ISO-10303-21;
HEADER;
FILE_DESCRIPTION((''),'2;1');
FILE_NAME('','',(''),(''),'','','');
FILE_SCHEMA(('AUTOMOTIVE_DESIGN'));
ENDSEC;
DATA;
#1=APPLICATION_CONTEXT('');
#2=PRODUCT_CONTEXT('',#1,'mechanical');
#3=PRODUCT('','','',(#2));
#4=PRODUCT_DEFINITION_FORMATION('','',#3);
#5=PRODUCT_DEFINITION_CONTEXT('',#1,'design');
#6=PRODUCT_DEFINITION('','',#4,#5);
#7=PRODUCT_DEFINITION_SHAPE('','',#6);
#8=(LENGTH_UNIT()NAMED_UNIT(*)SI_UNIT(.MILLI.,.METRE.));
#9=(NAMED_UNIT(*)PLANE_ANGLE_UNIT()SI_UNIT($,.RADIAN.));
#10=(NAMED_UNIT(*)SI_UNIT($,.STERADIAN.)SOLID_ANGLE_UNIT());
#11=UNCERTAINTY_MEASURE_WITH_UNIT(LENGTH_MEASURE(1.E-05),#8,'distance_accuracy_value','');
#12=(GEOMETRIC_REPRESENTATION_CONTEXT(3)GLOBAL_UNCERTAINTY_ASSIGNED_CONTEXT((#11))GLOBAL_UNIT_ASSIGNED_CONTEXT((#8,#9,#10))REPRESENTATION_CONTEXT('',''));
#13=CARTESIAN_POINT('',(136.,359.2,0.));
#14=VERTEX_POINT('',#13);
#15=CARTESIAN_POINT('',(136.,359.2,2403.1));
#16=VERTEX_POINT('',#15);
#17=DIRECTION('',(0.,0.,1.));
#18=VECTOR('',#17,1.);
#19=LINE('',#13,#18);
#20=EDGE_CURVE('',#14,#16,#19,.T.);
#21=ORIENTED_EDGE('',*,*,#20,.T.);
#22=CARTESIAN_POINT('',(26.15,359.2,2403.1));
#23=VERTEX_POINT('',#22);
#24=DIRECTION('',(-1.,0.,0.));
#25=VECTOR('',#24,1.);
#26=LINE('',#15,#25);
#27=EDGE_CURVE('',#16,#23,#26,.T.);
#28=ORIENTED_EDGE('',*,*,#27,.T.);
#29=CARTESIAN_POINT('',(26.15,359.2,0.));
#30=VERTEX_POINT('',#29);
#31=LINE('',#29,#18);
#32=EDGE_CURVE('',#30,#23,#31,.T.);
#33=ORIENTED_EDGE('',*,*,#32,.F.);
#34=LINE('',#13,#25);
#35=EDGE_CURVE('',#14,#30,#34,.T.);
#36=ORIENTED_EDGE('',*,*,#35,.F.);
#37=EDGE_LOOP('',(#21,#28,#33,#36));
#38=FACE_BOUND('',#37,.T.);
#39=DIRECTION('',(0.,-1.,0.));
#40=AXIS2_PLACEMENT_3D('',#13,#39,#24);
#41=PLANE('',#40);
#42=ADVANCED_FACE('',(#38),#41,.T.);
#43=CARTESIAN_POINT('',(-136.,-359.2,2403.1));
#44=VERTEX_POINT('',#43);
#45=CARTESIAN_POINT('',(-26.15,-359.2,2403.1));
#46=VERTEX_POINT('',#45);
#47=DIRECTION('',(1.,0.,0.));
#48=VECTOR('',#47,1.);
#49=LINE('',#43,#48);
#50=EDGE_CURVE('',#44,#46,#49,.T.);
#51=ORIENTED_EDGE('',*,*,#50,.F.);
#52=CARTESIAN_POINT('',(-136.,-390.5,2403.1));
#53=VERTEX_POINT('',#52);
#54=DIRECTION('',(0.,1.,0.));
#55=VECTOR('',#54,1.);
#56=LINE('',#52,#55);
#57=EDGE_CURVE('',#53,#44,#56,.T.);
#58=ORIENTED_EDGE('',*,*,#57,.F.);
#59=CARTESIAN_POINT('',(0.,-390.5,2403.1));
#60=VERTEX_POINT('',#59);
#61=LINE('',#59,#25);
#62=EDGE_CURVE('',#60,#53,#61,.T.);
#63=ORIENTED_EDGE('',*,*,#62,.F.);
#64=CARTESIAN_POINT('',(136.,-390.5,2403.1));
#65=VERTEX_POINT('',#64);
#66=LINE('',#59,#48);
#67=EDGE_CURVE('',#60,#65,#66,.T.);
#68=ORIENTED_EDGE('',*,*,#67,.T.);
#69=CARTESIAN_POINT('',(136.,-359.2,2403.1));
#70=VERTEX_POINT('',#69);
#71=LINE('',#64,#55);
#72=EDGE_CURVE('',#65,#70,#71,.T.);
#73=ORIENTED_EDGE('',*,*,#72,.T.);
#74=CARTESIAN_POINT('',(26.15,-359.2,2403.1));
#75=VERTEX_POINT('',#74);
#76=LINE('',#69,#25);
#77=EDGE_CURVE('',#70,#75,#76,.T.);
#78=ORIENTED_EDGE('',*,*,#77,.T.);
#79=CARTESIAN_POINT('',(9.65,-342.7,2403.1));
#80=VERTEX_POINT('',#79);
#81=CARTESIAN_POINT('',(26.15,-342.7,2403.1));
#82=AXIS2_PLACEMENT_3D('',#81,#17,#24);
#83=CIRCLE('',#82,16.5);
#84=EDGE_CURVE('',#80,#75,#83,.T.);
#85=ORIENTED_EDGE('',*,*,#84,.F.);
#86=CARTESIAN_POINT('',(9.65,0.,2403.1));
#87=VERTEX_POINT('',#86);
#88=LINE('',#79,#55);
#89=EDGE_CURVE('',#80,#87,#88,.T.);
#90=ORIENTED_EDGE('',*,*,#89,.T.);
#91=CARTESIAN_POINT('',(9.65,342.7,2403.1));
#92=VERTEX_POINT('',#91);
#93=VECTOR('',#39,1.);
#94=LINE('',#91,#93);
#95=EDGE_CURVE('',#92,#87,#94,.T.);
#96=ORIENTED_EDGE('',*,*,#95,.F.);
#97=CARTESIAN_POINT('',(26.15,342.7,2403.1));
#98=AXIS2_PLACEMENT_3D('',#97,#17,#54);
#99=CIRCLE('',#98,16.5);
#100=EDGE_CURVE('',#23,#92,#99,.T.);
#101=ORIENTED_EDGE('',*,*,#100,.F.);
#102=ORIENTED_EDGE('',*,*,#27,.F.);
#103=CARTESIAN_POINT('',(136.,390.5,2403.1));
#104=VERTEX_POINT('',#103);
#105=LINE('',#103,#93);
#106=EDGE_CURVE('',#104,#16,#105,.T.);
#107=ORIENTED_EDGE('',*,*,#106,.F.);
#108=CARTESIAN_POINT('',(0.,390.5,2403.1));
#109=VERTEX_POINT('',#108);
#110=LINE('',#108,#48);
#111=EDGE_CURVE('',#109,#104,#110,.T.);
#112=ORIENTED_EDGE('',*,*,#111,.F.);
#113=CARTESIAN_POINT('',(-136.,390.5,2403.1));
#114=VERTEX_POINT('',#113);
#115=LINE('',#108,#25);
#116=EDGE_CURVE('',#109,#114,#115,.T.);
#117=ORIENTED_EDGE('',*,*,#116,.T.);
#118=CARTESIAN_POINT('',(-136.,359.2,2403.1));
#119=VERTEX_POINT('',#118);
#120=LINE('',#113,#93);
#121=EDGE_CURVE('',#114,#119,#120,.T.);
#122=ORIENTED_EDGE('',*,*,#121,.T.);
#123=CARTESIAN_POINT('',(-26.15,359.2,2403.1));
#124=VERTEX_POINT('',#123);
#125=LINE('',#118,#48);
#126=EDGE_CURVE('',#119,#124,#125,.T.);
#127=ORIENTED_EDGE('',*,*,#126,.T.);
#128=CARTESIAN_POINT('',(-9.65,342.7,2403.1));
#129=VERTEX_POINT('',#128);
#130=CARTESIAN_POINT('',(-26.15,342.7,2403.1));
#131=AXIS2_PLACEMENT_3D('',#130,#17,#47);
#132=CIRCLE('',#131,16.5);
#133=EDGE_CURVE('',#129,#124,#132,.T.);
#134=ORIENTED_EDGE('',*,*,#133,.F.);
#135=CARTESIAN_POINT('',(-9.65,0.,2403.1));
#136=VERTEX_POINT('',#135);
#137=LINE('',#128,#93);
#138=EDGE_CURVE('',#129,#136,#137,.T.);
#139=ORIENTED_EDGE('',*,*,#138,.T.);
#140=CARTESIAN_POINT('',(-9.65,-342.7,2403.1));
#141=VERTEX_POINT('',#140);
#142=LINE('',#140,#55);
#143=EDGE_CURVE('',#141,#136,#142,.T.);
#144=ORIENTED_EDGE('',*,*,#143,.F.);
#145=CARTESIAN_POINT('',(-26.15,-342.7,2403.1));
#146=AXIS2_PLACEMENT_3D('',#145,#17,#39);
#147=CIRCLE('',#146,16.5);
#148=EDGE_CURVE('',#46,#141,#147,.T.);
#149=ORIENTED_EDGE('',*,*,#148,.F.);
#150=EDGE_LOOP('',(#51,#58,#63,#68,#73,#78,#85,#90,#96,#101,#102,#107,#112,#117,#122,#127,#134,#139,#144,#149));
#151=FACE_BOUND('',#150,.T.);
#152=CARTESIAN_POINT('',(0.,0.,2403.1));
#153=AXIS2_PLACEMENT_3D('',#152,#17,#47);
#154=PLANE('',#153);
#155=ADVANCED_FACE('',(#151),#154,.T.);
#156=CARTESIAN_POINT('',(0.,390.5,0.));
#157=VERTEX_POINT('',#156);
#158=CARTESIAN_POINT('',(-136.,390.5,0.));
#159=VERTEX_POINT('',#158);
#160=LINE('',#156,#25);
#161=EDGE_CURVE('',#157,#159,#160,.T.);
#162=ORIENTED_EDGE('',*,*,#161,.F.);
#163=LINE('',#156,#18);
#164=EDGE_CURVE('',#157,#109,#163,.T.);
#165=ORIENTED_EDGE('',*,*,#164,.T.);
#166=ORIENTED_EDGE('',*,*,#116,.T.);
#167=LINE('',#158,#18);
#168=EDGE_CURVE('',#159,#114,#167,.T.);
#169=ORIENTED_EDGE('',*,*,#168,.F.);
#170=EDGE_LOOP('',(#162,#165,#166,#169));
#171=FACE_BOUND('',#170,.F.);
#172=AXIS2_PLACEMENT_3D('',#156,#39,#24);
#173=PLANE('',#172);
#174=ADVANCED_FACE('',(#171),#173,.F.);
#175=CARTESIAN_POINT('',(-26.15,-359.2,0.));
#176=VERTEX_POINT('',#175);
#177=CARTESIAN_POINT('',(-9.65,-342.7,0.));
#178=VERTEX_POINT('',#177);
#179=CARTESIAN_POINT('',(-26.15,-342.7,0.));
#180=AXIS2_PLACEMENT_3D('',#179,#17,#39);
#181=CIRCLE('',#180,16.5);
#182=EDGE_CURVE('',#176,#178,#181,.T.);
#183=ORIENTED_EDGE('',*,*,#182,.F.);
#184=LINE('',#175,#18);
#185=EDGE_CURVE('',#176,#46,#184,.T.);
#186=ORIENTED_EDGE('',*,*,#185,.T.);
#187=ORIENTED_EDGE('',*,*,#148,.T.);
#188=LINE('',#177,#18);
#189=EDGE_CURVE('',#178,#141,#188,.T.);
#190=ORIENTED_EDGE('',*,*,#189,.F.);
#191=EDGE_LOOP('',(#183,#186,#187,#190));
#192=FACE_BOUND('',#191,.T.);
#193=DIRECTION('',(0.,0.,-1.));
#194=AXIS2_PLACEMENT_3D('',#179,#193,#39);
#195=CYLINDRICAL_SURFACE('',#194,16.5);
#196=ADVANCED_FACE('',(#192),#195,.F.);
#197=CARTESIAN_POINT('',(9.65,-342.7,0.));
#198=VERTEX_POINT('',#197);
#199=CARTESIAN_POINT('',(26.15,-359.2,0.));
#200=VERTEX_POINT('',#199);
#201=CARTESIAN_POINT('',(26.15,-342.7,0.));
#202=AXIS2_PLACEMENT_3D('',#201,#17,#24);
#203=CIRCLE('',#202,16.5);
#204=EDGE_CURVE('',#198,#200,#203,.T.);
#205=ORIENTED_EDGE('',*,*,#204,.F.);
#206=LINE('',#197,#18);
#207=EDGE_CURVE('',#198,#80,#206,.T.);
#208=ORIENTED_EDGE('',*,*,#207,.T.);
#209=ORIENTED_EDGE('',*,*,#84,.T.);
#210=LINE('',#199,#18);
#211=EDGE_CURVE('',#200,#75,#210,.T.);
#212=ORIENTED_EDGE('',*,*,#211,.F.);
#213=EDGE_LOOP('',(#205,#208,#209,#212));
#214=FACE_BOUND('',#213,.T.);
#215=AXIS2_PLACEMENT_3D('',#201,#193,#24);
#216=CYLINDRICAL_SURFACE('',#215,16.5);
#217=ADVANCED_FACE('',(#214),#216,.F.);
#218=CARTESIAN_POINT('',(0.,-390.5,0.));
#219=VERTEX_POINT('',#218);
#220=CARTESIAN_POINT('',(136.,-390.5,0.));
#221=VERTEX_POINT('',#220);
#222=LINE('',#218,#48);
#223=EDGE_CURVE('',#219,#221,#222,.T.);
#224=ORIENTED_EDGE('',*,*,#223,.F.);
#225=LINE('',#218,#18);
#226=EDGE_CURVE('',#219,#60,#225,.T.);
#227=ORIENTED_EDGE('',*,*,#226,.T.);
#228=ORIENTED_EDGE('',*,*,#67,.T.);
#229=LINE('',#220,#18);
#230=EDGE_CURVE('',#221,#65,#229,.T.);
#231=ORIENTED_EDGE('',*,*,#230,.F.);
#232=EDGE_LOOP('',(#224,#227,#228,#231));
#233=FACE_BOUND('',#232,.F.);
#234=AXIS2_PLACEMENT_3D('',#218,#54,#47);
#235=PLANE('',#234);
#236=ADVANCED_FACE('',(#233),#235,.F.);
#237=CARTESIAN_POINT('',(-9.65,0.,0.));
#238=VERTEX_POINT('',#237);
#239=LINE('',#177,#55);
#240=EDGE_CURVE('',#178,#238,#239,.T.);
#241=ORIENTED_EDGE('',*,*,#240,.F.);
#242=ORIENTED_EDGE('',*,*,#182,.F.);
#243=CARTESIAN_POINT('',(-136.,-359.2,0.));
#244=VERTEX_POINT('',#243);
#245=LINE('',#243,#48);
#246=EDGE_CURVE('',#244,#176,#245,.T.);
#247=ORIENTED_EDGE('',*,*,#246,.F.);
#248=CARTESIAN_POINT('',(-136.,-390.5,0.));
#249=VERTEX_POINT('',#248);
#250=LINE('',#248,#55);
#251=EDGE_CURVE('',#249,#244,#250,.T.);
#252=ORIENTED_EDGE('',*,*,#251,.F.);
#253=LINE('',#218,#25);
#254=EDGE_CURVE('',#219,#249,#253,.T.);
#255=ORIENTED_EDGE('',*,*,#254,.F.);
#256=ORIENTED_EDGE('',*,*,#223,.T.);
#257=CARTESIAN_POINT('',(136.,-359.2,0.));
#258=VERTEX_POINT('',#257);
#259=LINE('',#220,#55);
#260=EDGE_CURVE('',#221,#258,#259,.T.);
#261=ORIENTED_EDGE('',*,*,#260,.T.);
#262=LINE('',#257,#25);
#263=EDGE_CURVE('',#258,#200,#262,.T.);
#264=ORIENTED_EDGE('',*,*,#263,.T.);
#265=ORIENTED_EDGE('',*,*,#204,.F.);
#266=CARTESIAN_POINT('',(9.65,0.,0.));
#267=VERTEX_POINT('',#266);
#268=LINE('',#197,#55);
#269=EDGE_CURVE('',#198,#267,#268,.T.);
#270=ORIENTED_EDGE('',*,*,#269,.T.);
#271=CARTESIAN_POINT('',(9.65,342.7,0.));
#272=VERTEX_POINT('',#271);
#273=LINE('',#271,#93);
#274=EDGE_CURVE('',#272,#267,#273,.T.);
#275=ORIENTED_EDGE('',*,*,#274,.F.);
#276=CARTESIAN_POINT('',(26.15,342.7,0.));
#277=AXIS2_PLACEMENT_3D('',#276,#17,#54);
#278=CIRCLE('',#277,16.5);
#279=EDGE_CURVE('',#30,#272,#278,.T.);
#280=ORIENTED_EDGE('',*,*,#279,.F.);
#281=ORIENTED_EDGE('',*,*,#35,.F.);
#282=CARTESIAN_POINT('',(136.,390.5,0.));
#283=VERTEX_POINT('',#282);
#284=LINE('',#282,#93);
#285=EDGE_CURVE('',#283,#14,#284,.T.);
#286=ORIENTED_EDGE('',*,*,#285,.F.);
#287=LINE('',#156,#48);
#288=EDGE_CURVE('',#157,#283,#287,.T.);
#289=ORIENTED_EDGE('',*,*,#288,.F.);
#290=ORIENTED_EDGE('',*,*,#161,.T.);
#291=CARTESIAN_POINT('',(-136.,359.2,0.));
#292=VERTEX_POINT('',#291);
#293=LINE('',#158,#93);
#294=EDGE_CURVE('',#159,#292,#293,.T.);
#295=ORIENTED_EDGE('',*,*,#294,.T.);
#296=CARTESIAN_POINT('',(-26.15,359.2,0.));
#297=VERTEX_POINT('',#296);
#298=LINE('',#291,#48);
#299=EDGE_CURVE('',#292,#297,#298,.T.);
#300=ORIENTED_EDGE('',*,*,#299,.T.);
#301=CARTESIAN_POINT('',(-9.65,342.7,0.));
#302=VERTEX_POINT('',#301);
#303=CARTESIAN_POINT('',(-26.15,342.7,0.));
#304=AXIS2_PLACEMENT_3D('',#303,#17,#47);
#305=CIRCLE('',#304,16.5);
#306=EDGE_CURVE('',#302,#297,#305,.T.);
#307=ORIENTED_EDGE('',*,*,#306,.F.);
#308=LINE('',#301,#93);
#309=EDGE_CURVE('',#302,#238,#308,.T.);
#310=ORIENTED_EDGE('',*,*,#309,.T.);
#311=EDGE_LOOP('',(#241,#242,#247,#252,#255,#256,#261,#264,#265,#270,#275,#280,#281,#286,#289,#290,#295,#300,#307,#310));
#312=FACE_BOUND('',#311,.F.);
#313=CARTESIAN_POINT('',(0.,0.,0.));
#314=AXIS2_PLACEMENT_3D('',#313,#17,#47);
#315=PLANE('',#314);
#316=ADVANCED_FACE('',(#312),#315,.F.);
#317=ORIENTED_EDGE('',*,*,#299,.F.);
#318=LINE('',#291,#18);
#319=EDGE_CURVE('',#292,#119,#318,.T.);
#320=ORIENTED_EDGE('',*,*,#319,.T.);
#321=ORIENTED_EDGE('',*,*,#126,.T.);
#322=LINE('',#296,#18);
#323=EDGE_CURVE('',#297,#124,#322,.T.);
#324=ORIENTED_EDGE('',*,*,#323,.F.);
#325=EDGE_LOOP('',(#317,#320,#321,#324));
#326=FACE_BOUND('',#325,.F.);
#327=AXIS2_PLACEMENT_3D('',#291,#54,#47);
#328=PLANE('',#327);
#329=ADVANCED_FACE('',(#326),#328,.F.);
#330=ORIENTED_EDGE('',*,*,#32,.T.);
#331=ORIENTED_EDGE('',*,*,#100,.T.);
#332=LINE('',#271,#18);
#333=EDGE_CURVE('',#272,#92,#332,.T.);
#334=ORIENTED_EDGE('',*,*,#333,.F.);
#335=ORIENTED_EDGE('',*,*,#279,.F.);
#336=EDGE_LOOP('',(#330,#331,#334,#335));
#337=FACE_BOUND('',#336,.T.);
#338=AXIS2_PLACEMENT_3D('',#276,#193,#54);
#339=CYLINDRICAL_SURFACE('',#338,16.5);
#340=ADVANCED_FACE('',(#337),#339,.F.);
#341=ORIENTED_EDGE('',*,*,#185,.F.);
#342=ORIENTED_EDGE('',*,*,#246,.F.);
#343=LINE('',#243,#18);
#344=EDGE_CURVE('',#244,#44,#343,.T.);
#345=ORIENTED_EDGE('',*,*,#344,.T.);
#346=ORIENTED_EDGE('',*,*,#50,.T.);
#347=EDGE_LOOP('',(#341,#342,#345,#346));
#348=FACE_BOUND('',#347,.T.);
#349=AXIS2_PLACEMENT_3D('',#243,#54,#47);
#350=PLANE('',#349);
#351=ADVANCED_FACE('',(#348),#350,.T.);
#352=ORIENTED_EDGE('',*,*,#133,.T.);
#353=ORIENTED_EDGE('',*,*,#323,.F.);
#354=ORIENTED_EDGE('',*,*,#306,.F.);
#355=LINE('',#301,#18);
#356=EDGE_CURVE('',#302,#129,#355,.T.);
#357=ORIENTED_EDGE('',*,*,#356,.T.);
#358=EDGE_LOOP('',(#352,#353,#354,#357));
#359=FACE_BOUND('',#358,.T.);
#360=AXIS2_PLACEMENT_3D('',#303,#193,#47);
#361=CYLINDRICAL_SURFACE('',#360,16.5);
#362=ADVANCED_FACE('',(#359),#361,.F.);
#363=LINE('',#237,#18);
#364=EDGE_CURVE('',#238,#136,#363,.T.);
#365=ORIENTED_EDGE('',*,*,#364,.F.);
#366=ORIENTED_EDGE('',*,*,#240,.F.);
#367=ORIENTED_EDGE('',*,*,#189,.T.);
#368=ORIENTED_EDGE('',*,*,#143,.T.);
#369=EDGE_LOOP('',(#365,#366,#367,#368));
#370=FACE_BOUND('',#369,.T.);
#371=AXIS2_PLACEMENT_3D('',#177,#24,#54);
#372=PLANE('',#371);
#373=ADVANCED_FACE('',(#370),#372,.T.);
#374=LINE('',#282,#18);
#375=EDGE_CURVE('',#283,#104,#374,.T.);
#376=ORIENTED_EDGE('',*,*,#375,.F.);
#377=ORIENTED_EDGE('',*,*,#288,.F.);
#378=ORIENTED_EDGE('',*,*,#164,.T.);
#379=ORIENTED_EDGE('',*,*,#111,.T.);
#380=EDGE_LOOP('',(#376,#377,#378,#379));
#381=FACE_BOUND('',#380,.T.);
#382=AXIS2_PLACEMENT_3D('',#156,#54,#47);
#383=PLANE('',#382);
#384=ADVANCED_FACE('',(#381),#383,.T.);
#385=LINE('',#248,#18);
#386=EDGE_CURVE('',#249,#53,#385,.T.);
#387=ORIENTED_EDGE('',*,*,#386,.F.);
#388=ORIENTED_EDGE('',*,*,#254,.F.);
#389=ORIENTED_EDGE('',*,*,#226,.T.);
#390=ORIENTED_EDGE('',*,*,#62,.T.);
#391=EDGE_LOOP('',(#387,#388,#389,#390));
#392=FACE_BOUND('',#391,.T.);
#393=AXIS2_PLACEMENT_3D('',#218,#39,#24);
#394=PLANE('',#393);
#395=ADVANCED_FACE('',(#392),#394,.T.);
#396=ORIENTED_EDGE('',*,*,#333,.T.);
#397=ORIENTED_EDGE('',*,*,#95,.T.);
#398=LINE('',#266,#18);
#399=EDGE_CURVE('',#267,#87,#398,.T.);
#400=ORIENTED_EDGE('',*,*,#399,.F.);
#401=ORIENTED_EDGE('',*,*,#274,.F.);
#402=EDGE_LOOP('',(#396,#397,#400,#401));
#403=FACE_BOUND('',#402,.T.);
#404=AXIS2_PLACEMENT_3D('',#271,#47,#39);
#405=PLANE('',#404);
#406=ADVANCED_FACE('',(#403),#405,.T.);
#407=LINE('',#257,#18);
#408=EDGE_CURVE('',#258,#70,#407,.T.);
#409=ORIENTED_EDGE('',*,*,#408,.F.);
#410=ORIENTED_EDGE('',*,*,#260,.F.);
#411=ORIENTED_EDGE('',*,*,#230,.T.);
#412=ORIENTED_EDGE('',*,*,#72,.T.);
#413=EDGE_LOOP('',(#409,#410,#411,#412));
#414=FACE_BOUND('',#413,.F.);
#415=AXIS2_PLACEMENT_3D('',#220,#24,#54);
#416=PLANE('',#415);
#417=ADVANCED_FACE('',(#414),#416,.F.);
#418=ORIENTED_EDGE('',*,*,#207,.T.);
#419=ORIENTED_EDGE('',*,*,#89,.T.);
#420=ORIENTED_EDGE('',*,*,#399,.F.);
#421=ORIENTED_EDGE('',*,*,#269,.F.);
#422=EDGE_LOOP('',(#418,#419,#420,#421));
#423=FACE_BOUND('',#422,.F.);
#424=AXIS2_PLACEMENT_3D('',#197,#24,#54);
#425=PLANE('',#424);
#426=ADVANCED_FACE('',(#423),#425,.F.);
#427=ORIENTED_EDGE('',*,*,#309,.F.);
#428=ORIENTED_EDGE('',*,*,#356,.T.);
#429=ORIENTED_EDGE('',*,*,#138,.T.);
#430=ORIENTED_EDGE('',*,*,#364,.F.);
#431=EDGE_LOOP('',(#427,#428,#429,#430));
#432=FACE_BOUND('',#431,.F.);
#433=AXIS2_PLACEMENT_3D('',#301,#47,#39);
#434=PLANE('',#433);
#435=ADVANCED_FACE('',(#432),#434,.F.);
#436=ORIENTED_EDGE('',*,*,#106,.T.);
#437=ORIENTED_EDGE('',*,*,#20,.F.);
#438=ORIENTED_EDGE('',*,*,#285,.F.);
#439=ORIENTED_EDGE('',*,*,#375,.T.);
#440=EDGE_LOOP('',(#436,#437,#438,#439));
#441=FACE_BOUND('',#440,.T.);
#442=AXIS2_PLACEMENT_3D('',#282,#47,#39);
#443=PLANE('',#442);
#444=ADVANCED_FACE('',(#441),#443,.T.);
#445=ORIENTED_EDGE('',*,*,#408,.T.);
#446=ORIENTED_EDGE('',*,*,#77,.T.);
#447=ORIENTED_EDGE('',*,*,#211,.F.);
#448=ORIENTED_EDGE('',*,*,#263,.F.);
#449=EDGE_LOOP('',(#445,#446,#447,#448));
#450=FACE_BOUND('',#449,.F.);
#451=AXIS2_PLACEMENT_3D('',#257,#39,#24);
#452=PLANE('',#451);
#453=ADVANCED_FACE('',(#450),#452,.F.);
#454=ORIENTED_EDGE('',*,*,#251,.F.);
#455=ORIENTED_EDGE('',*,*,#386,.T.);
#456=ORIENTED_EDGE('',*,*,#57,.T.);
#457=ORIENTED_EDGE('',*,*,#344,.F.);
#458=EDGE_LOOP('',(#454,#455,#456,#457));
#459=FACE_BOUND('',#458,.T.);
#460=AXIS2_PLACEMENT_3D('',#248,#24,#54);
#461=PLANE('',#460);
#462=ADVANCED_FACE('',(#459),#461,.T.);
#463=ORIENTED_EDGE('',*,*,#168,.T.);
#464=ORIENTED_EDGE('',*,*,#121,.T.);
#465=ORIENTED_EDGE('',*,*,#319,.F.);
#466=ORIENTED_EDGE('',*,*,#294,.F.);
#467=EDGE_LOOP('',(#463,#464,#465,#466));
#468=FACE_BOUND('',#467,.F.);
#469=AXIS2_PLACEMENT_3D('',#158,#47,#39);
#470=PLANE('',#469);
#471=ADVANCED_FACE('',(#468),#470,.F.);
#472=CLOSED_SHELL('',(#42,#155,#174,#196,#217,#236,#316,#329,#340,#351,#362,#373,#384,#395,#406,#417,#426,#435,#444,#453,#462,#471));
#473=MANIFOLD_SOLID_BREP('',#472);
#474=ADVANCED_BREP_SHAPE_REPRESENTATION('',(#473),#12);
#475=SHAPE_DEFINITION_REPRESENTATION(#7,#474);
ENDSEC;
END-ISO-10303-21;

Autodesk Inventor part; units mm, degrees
ref_plane "YZ Plane" through (0, 0, 0) normal (1, 0, 0) x (0, 1, 0)
ref_plane "Start plane" through (0, 0, 0) normal (0, 0, 1) x (1, 0, 0)
ref_plane "End plane" through (0, 0, 2403.1) normal (0, 0, 1) x (1, 0, 0)
sketch "Sketch" plane through (0, 0, 0) normal (0, 0, 1) x (1, 0, 0)
  line L0 (-136, -390.5) -> (-136, -359.2)
  line L1 (-136, -359.2) -> (-26.15, -359.2)
  line L2 (-9.65, -342.7) -> (-9.65, 0)
  line L3 (-9.65, 0) -> (0, 0) construction
  line L4 (0, 0) -> (0, -390.5) construction
  line L5 (0, -390.5) -> (-136, -390.5)
  line L6 (-60, 0) -> (80, 0) construction
  line L7 (0, -60) -> (0, 80) construction
  line L8 (136, -390.5) -> (136, -359.2)
  line L9 (136, -359.2) -> (26.15, -359.2)
  line L10 (9.65, -342.7) -> (9.65, 0)
  line L11 (9.65, 0) -> (0, 0) construction
  line L12 (0, -390.5) -> (136, -390.5)
  line L13 (-136, 390.5) -> (-136, 359.2)
  line L14 (-136, 359.2) -> (-26.15, 359.2)
  line L15 (-9.65, 342.7) -> (-9.65, 0)
  line L16 (0, 390.5) -> (-136, 390.5)
  line L17 (136, 390.5) -> (136, 359.2)
  line L18 (136, 359.2) -> (26.15, 359.2)
  line L19 (0, 390.5) -> (136, 390.5)
  line L20 (9.65, 342.7) -> (9.65, 0)
  arc A0 (-9.65, 342.7) -> (-26.15, 359.2) centre (-26.15, 342.7) ccw
  arc A1 (26.15, 359.2) -> (9.65, 342.7) centre (26.15, 342.7) ccw
  arc A2 (9.65, -342.7) -> (26.15, -359.2) centre (26.15, -342.7) ccw
  arc A3 (-26.15, -359.2) -> (-9.65, -342.7) centre (-26.15, -342.7) ccw
  line L21 (0, 108) -> (0, -88) construction
  line L22 (-88, 0) -> (108, 0) construction
  point P0 (-9.65, -359.2)
  point P1 (9.65, -359.2)
  point P2 (-9.65, 359.2)
  point P3 (9.65, 359.2)
  dimension "d1" = 390.5
  dimension "d2" = 31.3
  dimension "d3" = 136
  dimension "d4" = 9.65
  dimension "d10" = 16.5
extrude "Body" add sketch "Sketch" along normal up to surface (2403.1 mm away) from surface at 0
sketch "Sketch4" plane through (0, 0, 0) normal (0, 0, 1) x (1, 0, 0)
  line L0 (0, 0) -> (10, 0)
ref_plane "Work Plane3" through (0, 0, 0) normal (0, -1, 0) x (1, 0, 0)
sketch "Sketch5" plane through (0, 0, 0) normal (0, -1, 0) x (1, 0, 0)
  line L0 (-2, 0) -> (12, 0) projected
  line L1 (-2, 2403.1) -> (12, 2403.1) projected
  dimension "d14" = 2403.1
equation "\"d1\" = 0.5 * G_H"
equation "\"d2\" = G_T1"
equation "\"d3\" = 0.5 * G_W"
equation "\"d4\" = 0.5 * G_T"
equation "\"d10\" = G_IR"
equation "\"d5\" = G_L"
equation "\"G_W\" = 272"
equation "\"G_H\" = 781"
equation "\"G_T\" = 19.3"
equation "\"G_T1\" = 31.3"
equation "\"G_IR\" = 16.5"
equation "\"G_L\" = d14"
equation "\"G_OFFSET_START\" = 0"
equation "\"G_OFFSET_END\" = 0"
equation "\"d12\" = G_OFFSET_END + B_L"
equation "\"B_L\" = 2403.1"
properties part number "AS 3679-1990 - 760 UB - 244 - 2403.1" material "Steel, Mild"
